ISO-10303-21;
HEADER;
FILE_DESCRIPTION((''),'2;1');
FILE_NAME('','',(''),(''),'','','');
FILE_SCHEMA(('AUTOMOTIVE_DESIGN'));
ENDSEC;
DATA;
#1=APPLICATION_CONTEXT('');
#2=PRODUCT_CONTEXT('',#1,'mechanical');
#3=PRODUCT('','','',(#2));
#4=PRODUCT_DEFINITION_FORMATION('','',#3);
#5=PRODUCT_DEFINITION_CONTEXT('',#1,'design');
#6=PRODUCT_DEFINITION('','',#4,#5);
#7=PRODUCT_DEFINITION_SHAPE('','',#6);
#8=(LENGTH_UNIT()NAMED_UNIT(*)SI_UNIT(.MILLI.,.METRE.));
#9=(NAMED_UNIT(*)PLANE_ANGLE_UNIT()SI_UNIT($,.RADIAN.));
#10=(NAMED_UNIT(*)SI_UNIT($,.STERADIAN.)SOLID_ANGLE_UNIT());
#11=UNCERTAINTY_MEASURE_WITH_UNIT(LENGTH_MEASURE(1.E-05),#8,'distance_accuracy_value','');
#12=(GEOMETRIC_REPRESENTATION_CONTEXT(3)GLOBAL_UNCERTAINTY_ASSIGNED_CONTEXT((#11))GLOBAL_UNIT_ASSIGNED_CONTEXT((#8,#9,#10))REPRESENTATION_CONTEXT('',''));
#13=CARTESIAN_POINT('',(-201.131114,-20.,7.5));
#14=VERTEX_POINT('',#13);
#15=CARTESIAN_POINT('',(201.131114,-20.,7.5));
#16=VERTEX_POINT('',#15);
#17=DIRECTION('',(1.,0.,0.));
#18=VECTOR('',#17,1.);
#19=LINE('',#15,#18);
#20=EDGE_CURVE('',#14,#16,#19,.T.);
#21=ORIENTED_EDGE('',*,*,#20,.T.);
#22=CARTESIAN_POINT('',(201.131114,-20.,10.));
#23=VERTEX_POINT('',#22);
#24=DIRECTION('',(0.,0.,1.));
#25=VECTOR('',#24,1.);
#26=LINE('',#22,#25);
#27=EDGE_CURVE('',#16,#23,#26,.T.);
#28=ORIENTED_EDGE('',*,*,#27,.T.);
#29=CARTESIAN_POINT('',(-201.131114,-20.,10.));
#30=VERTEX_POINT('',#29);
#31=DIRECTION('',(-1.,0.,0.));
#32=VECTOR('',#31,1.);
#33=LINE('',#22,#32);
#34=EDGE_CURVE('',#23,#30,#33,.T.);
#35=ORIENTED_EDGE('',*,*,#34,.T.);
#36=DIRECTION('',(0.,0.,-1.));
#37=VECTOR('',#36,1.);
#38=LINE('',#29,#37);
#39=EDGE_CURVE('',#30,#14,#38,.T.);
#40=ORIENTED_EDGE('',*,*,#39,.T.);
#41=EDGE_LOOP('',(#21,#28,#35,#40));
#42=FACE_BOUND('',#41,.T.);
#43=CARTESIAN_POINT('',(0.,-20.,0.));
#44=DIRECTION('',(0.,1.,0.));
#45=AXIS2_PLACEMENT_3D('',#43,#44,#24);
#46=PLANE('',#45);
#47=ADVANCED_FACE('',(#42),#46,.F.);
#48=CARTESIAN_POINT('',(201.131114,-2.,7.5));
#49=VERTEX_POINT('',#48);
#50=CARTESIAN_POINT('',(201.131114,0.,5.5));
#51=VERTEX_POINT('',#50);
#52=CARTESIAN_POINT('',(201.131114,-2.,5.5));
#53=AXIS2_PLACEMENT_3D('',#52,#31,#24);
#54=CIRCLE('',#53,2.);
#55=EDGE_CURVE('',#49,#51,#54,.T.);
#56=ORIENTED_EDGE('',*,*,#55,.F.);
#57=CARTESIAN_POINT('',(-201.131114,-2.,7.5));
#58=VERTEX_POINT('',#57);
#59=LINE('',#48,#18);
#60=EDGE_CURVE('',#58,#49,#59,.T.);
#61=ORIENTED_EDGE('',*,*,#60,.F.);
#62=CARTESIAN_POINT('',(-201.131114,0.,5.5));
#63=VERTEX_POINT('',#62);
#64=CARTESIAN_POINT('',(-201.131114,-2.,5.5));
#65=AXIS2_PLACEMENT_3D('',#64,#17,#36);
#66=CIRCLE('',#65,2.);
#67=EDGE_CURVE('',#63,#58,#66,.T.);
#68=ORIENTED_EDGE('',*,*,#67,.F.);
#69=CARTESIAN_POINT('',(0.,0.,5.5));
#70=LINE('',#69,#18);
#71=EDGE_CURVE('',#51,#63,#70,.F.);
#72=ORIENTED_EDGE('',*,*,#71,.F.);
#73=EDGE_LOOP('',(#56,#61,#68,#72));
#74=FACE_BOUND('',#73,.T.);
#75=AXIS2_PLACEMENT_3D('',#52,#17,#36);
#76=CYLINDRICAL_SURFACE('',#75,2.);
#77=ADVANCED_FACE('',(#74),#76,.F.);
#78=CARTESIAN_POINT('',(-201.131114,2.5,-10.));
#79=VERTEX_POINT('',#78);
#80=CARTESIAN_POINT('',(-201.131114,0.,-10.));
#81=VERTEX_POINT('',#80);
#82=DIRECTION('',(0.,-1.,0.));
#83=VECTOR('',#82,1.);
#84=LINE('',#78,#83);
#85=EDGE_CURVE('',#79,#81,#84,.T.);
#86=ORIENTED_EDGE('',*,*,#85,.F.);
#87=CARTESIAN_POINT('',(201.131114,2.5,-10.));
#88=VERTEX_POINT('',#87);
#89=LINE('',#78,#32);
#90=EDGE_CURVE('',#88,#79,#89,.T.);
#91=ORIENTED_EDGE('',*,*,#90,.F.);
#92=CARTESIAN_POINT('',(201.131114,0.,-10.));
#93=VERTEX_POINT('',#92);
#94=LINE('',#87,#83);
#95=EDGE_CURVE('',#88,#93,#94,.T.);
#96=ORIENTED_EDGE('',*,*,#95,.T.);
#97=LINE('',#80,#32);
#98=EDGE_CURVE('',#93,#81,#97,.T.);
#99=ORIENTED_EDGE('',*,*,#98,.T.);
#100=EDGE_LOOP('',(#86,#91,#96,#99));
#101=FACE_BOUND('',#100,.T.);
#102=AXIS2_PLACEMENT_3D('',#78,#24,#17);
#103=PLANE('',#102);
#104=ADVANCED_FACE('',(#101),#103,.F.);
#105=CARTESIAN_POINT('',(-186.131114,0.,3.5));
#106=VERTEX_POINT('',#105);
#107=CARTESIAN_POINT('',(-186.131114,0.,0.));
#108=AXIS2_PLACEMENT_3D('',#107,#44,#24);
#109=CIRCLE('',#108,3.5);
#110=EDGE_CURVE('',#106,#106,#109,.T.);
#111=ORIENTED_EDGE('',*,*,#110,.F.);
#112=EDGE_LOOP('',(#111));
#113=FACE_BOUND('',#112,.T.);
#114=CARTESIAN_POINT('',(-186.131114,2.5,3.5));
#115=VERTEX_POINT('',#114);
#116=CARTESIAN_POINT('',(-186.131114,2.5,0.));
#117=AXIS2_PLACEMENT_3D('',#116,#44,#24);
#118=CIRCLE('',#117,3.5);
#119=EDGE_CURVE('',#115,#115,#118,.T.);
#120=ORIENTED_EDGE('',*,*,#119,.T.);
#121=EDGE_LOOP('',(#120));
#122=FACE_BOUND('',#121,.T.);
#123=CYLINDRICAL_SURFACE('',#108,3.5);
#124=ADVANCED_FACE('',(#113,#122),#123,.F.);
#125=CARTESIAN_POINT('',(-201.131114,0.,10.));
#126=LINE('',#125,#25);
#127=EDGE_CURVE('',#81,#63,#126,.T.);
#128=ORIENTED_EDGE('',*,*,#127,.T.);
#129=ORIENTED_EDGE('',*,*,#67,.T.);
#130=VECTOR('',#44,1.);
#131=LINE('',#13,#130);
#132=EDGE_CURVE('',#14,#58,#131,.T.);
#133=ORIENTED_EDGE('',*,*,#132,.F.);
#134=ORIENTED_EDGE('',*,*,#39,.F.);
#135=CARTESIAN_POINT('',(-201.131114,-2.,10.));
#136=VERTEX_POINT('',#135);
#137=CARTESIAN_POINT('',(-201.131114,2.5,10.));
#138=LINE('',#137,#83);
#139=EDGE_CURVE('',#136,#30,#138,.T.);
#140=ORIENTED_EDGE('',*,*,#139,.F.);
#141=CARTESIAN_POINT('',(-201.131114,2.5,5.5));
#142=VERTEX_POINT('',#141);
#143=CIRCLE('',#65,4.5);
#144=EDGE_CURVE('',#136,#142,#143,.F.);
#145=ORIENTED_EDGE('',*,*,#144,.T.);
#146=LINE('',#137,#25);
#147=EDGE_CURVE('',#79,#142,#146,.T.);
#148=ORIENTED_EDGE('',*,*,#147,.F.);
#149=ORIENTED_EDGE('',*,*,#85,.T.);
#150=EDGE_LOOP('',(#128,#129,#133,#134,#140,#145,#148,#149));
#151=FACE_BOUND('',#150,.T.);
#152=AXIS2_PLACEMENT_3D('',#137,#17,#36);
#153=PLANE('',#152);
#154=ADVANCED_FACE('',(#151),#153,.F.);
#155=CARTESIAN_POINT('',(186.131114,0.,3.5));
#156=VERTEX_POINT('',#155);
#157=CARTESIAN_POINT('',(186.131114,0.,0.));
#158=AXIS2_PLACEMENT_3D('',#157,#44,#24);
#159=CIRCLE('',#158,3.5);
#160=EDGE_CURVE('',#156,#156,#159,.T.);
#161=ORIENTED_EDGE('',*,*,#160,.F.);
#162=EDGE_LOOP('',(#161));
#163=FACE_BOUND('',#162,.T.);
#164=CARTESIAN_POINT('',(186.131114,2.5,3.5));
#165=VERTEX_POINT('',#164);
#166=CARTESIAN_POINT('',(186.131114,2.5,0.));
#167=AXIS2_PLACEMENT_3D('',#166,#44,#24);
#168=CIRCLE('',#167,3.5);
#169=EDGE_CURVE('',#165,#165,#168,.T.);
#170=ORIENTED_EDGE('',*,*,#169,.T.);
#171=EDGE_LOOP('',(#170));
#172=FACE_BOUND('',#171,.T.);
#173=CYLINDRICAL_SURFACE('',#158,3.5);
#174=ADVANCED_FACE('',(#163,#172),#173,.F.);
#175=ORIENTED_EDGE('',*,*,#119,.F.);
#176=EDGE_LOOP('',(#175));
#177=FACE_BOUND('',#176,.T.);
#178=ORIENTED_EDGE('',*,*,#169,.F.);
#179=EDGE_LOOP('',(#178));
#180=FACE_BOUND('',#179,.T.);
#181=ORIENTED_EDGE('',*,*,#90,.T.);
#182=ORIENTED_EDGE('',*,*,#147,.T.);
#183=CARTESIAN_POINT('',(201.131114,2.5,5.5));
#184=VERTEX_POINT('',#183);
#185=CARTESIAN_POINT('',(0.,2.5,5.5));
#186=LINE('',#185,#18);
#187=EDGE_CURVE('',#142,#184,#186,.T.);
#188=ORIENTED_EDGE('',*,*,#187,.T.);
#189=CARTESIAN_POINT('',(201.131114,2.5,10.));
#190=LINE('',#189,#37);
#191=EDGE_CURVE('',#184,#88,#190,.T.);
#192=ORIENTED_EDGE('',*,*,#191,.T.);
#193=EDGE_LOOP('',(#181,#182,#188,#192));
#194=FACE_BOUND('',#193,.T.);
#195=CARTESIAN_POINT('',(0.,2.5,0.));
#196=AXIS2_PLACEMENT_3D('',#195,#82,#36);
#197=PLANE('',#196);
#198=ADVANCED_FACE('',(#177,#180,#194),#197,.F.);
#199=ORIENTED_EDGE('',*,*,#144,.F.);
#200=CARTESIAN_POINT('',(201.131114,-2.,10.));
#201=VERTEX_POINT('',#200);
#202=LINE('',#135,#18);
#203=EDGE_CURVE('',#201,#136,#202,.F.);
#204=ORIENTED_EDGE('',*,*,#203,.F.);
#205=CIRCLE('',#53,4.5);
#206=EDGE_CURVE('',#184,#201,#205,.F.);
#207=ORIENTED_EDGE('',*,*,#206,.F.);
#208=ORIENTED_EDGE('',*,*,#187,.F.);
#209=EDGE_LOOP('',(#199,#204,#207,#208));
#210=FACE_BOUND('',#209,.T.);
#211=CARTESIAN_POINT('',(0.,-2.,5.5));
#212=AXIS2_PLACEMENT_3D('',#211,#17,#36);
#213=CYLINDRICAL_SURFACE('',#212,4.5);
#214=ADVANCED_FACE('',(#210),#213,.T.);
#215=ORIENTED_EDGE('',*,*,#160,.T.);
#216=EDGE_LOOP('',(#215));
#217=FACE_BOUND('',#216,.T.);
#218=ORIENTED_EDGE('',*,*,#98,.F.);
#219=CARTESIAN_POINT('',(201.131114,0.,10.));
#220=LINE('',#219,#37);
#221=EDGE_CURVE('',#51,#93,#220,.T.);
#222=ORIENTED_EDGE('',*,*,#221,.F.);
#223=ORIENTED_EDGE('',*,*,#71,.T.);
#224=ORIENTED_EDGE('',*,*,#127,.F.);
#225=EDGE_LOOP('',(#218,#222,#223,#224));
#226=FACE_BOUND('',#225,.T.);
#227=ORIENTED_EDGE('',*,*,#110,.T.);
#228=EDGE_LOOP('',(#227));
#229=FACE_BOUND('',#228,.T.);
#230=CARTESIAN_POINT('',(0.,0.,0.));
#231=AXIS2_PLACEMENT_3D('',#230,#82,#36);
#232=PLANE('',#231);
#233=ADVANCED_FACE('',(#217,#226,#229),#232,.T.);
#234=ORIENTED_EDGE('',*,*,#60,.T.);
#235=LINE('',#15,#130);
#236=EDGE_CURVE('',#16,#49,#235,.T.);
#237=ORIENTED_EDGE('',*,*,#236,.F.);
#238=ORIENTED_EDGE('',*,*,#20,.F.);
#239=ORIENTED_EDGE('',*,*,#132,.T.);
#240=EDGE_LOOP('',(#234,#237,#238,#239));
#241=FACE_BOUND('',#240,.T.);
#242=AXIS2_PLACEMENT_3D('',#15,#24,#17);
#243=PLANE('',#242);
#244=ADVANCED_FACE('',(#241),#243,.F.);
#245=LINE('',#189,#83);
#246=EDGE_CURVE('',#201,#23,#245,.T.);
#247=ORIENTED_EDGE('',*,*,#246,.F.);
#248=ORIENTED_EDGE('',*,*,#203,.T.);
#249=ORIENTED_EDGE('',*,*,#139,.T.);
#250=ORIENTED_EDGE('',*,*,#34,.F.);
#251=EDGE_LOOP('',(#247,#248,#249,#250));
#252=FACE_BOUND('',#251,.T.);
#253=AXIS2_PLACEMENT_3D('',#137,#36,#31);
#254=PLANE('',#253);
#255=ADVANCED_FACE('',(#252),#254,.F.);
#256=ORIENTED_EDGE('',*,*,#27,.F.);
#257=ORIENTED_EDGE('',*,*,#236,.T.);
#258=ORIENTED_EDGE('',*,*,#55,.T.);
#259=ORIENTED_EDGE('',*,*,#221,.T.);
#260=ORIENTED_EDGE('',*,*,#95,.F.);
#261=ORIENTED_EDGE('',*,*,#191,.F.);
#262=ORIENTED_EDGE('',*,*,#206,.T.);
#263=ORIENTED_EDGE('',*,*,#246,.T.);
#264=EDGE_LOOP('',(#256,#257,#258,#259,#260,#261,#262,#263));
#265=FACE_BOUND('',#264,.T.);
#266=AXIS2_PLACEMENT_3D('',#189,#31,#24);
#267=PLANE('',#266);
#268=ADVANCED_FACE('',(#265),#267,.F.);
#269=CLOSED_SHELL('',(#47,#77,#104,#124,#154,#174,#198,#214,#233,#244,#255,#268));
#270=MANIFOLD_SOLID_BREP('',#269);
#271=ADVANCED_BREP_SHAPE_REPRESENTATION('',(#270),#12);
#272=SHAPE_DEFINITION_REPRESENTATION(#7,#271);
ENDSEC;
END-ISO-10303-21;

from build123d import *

# Parameters (mm, degrees)
SKETCH1_W           = 402.26222862
SKETCH1_H           = 20
BOSS_EXTRUDE1_DEPTH = 2.5
SKETCH2_R           = 3.5
CUT_EXTRUDE1_DEPTH  = 2.5
SKETCH3_W           = 402.26222862
SKETCH3_H           = 2.5
BOSS_EXTRUDE2_DEPTH = 20
FILLET1_R           = 2
FILLET2_R           = 4.5


with BuildPart() as part:
    # Sketch1 → Boss-Extrude1 (new body)
    with BuildSketch(Plane(origin=(0, 0, 0), x_dir=(1, 0, 0), z_dir=(0, 1, 0))):
        Rectangle(SKETCH1_W, SKETCH1_H)
    extrude(amount=BOSS_EXTRUDE1_DEPTH)

    # Sketch2 → Cut-Extrude1 (cut)
    with BuildSketch(Plane(origin=(0, 2.5, 0), x_dir=(1, 0, 0), z_dir=(0, 1, 0))):
        with Locations(Location((186.13111431, 0, 0), (0, 0, 270))):
            Circle(SKETCH2_R)
        with Locations(Location((-186.13111431, 0, 0), (0, 0, 270))):
            Circle(SKETCH2_R)
    extrude(amount=-CUT_EXTRUDE1_DEPTH, mode=Mode.SUBTRACT)

    # Sketch3 → Boss-Extrude2 (add)
    with BuildSketch(Plane.XZ):
        with Locations((0, 8.75)):
            Rectangle(SKETCH3_W, SKETCH3_H)
    extrude(amount=BOSS_EXTRUDE2_DEPTH)

    # Fillet1
    fillet1_edges = [part.edges().sort_by_distance(p)[0] for p in [
        (0, 0, 7.5),
    ]]
    fillet(fillet1_edges, radius=FILLET1_R)

    # Fillet2
    fillet2_edges = [part.edges().sort_by_distance(p)[0] for p in [
        (0, 2.5, 10),
    ]]
    fillet(fillet2_edges, radius=FILLET2_R)


solid = part.part
